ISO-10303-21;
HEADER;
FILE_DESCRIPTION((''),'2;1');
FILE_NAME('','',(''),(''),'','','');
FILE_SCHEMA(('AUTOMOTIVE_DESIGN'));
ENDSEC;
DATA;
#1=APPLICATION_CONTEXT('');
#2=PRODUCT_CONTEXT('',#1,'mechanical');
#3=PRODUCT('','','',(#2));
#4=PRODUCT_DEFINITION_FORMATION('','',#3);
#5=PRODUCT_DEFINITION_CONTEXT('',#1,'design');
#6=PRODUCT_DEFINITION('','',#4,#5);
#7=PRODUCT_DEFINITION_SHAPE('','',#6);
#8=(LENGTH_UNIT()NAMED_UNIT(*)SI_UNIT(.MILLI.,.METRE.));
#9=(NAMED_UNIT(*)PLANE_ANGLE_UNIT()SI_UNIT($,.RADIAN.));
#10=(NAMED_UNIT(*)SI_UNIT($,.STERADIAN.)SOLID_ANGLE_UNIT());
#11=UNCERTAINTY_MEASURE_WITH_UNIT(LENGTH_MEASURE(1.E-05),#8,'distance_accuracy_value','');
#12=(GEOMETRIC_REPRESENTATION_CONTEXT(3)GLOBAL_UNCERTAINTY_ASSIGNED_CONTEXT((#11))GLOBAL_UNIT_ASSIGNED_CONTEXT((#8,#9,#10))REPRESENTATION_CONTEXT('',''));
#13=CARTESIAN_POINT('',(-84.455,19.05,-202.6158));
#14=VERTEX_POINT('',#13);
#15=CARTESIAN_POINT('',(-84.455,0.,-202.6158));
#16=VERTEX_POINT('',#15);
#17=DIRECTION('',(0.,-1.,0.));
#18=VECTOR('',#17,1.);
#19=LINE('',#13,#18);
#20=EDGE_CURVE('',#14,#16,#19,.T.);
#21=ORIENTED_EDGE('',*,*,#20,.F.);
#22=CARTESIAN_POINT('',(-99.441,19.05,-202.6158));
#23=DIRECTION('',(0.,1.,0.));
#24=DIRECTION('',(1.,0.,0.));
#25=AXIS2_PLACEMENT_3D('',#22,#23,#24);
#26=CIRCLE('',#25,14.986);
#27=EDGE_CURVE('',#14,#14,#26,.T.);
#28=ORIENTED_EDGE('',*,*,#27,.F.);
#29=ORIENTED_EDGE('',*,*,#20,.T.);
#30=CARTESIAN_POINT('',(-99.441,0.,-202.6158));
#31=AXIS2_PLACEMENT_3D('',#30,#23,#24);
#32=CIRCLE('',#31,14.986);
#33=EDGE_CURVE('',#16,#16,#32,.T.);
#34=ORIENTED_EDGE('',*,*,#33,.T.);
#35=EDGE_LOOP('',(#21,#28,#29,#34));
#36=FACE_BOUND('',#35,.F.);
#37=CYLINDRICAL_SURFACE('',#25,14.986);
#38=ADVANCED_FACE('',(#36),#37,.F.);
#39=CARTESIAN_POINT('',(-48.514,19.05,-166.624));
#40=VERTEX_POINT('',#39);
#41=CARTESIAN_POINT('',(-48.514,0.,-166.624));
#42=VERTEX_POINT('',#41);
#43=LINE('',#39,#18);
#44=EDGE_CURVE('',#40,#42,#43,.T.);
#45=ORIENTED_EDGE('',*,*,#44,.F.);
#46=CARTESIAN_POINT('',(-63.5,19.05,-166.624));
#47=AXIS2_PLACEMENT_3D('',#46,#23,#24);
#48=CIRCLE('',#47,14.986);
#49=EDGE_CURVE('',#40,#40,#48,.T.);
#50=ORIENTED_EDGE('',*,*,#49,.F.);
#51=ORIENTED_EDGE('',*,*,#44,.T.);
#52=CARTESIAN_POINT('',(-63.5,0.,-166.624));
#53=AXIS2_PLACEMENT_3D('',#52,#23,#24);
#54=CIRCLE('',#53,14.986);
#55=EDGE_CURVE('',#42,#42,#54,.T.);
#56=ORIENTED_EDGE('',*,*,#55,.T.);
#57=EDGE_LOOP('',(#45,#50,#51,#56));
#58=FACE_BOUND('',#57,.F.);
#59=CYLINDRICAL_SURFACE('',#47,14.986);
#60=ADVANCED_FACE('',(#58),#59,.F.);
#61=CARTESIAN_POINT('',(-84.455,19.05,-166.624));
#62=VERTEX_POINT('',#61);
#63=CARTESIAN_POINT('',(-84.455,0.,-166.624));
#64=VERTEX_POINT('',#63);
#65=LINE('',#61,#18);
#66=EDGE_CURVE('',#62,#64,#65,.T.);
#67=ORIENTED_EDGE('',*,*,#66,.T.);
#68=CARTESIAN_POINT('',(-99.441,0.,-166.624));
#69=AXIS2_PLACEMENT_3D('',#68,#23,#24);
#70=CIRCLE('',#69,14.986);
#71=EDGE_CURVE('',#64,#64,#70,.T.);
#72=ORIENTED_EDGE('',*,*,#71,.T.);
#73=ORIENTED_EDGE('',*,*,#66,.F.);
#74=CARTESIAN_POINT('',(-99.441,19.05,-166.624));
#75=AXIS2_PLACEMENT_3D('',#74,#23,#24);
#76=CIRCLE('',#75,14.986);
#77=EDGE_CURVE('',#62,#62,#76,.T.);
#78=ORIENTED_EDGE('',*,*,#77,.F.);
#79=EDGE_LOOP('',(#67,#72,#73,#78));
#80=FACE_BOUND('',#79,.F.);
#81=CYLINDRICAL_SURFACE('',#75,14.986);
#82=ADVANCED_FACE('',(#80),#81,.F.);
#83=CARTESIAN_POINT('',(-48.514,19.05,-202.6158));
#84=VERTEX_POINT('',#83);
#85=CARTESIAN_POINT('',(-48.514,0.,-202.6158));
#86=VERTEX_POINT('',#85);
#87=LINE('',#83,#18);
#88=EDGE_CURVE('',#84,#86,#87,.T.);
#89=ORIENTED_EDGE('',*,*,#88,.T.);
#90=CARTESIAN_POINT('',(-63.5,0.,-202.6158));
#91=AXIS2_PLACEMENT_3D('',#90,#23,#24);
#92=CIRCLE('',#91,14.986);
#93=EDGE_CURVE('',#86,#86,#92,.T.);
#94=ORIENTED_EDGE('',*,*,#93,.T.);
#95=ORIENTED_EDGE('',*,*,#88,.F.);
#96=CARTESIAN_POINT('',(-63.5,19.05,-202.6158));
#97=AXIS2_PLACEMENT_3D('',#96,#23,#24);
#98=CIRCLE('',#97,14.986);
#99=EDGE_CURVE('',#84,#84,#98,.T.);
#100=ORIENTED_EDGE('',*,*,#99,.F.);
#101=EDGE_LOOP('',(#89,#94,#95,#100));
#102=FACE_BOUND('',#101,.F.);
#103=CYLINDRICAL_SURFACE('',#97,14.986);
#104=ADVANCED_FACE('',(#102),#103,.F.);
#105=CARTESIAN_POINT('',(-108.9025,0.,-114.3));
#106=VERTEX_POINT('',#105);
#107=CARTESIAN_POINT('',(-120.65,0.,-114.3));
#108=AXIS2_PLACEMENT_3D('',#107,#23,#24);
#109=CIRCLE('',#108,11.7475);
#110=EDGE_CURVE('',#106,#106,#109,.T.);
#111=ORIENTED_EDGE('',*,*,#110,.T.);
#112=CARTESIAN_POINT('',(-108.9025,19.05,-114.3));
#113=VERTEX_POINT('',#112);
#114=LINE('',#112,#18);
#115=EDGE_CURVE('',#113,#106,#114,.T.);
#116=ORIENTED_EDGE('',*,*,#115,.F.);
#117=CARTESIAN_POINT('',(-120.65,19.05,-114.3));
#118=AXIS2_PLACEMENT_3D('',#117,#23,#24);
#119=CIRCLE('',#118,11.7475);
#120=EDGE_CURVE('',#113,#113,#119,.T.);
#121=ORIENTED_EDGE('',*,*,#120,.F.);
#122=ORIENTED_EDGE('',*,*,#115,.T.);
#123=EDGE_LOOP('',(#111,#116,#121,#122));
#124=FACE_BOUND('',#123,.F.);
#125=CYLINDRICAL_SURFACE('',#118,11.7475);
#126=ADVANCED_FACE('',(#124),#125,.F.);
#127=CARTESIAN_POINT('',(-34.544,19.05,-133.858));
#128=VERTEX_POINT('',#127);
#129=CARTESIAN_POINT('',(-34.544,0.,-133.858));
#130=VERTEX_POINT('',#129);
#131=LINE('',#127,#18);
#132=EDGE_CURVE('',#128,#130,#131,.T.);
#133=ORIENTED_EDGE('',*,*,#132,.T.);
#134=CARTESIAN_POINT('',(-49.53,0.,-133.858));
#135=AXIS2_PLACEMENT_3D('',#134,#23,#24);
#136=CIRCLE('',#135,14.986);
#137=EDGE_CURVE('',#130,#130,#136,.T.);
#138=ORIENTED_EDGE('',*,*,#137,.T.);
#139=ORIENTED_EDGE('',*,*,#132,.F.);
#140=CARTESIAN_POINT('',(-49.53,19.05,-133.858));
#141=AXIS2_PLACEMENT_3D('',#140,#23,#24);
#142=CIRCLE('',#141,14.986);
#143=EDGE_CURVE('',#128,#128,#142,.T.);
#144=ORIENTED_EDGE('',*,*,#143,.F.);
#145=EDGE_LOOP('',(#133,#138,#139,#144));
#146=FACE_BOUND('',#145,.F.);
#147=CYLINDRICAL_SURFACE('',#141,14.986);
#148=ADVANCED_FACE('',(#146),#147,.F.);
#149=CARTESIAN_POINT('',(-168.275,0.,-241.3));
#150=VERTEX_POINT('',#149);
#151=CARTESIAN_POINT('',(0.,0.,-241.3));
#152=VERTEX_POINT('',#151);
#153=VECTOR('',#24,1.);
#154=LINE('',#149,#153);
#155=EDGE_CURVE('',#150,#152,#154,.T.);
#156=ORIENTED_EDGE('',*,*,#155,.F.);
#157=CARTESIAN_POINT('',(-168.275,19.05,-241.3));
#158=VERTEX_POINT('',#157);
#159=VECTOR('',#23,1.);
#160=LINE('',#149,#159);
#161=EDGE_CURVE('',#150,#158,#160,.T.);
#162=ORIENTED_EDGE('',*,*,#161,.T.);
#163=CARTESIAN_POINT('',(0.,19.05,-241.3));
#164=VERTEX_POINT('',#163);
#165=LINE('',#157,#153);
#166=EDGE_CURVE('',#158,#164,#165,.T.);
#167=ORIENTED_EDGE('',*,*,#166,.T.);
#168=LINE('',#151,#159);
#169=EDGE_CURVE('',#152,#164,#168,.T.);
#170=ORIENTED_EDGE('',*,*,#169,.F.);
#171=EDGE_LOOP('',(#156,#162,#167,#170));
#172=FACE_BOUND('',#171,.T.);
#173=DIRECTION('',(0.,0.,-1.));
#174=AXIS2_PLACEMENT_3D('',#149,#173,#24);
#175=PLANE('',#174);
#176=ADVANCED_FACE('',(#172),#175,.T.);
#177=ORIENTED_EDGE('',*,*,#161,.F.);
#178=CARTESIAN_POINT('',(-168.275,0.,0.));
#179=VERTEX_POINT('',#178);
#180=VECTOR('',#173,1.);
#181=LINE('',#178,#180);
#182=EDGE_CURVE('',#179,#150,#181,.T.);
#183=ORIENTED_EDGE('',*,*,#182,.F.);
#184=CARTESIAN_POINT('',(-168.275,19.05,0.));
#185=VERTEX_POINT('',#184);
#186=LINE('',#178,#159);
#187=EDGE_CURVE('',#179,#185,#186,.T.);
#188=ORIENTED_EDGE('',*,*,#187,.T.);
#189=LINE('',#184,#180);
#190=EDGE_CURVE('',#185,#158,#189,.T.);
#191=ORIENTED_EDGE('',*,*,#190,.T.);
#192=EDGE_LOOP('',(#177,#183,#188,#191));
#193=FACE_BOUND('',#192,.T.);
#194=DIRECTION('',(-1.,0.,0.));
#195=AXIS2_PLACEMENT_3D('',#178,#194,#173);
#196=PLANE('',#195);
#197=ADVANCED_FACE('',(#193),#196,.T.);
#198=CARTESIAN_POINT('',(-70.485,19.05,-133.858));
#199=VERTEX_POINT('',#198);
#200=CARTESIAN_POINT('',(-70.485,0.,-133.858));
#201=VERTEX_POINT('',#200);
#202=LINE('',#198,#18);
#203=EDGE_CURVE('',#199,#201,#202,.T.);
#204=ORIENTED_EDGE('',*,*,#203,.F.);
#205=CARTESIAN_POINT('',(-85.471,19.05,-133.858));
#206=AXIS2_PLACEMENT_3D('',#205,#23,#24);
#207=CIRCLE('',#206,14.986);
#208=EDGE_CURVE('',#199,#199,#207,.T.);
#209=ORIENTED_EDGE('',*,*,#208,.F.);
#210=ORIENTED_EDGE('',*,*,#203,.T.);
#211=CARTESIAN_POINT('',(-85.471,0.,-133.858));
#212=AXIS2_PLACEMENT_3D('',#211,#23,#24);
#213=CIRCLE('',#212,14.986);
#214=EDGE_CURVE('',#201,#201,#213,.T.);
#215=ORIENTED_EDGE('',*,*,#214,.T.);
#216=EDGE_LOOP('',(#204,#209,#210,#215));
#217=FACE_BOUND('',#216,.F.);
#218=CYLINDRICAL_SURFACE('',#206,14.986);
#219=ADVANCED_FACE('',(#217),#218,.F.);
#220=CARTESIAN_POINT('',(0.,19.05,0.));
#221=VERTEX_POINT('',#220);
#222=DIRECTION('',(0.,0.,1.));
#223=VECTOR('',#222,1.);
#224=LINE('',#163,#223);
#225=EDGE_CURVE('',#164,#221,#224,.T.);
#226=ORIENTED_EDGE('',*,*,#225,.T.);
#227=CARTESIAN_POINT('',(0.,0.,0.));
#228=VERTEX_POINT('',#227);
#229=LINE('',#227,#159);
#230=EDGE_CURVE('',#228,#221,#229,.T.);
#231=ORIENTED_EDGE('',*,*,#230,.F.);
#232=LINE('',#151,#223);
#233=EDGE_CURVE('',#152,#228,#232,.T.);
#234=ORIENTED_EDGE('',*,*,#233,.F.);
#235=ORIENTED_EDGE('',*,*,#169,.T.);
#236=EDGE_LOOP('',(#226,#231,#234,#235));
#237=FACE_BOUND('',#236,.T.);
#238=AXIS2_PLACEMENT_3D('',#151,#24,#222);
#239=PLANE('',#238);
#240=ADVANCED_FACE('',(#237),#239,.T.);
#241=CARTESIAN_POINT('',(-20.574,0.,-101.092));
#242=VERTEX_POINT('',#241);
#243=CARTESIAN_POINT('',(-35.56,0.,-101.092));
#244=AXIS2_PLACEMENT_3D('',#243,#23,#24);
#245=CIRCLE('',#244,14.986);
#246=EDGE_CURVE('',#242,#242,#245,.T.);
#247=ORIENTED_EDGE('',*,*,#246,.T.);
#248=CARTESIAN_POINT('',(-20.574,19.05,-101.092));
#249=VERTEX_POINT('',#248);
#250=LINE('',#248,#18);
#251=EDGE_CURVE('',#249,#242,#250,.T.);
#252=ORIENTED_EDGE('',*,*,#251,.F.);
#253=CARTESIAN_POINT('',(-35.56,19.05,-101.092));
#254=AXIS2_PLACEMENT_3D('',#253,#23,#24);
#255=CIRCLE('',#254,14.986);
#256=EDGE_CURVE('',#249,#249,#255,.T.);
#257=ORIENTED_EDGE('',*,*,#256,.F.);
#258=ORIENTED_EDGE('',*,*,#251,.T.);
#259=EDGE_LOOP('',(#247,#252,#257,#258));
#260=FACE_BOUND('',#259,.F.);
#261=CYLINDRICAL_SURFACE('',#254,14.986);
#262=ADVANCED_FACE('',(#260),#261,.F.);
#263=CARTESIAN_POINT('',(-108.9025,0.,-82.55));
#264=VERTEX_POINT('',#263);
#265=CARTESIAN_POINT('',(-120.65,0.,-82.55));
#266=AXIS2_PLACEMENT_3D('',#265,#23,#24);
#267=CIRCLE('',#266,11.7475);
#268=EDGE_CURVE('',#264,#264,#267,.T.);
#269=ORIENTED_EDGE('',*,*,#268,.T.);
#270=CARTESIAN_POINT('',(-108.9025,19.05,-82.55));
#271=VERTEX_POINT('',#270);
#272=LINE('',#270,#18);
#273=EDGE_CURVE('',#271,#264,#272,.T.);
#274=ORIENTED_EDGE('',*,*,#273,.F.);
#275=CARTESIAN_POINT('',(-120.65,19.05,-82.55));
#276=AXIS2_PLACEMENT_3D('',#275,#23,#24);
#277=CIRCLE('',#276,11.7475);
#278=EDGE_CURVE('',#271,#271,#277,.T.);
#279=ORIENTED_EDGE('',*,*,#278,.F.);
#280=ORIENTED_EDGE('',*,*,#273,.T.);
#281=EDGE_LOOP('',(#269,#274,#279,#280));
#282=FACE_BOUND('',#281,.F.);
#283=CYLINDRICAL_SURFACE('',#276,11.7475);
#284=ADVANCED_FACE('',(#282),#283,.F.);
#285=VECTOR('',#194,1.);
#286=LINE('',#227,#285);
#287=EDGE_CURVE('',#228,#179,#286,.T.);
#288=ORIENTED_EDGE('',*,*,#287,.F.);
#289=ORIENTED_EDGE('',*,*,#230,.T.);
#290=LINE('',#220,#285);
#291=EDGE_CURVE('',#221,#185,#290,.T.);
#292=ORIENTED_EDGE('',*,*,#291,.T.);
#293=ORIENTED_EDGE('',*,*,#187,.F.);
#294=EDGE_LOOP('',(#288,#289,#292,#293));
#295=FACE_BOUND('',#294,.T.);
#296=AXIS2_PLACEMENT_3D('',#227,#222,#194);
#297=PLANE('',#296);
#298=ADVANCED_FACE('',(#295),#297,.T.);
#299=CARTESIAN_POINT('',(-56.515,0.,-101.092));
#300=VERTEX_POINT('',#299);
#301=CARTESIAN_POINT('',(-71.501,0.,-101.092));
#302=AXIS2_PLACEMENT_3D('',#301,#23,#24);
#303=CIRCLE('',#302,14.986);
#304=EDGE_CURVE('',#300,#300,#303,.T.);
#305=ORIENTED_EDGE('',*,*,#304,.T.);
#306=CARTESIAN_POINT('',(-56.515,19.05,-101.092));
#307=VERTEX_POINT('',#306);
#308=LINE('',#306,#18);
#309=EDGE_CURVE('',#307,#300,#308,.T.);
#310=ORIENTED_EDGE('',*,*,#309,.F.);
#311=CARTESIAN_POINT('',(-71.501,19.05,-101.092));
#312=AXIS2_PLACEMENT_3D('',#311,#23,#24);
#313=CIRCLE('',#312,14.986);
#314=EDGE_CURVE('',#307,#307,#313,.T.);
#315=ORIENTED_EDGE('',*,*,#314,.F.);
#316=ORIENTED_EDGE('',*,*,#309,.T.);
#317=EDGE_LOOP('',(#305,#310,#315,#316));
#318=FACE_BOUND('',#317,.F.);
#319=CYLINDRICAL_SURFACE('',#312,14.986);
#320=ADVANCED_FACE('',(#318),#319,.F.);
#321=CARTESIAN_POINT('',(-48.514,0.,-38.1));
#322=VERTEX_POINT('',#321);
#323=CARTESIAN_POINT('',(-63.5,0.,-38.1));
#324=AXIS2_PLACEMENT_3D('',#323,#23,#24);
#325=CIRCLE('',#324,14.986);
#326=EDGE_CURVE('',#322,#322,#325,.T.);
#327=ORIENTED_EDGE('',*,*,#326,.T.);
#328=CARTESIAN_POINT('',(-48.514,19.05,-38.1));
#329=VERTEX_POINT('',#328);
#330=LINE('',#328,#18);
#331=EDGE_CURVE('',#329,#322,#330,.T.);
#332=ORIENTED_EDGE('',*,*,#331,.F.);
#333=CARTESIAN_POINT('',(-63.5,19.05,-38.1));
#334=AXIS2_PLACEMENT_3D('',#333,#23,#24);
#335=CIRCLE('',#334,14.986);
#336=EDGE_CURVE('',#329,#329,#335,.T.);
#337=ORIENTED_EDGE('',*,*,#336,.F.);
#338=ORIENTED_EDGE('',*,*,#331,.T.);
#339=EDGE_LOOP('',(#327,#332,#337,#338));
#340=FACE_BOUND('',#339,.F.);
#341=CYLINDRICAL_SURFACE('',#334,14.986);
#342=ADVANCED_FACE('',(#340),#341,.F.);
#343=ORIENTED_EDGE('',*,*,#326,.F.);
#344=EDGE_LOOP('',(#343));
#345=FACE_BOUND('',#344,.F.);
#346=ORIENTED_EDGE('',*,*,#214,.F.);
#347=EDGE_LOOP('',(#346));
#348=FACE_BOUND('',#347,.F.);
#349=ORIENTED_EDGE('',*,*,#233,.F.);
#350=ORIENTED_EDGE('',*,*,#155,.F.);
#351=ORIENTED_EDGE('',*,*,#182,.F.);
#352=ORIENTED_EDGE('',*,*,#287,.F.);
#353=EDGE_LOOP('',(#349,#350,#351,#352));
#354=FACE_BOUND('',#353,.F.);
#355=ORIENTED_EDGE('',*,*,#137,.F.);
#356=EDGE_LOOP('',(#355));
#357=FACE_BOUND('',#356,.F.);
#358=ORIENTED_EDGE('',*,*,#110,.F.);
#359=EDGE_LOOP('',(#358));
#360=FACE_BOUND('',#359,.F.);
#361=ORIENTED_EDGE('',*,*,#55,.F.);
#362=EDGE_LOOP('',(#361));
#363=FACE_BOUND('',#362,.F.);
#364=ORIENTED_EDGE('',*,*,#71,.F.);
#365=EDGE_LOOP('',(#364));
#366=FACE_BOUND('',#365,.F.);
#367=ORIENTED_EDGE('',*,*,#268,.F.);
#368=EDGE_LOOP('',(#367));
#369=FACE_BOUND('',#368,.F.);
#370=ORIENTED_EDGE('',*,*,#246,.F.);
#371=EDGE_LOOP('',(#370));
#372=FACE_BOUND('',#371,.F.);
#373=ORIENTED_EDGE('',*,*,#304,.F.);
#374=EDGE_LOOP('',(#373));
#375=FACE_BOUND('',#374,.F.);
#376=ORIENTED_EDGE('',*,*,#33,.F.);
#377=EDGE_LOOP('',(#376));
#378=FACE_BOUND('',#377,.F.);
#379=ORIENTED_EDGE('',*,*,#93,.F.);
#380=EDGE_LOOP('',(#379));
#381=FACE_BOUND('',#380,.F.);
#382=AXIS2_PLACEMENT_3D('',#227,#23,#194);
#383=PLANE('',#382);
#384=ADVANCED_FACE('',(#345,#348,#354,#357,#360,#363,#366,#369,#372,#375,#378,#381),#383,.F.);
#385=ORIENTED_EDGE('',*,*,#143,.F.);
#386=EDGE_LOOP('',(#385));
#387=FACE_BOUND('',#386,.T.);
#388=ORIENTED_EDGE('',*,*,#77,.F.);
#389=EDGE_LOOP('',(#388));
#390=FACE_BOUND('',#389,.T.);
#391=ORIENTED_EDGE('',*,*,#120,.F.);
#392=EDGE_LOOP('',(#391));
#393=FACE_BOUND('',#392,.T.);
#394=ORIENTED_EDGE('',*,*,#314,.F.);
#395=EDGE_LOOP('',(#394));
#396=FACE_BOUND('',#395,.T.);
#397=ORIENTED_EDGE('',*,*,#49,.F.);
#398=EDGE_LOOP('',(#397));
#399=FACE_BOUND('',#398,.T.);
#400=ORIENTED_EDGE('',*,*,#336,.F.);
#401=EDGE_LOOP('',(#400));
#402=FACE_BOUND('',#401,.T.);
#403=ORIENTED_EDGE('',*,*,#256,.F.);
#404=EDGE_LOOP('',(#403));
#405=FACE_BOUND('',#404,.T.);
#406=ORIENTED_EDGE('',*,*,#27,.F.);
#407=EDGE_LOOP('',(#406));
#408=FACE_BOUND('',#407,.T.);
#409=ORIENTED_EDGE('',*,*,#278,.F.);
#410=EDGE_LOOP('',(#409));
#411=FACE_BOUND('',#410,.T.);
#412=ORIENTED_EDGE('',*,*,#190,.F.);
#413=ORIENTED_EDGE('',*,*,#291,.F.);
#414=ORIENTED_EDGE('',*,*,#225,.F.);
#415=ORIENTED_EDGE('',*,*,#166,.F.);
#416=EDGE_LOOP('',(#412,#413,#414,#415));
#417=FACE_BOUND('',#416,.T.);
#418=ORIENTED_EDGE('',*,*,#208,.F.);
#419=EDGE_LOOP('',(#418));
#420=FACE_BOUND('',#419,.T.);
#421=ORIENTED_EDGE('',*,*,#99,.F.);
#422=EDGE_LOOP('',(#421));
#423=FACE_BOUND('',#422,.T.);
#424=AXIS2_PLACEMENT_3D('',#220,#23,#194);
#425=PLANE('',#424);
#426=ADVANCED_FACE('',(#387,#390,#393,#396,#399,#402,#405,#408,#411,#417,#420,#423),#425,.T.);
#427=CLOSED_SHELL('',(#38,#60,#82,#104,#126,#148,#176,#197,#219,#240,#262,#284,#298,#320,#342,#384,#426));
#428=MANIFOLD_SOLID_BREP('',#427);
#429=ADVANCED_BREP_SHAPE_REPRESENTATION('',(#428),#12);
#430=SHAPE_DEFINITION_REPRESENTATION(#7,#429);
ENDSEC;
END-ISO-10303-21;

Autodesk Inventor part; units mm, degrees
ref_plane "YZ Plane" through (0, 0, 0) normal (1, 0, 0) x (0, 1, 0)
ref_plane "XZ Plane" through (0, 0, 0) normal (0, 1, 0) x (-1, 0, 0)
ref_plane "XY Plane" through (0, 0, 0) normal (0, 0, 1) x (1, 0, 0)
sketch "Sketch1" plane through (0, 0, 0) normal (0, 1, 0) x (-1, 0, 0)
  line L0 (0, 0) -> (168.275, 0)
  line L1 (168.275, 0) -> (168.275, -241.3)
  line L2 (168.275, -241.3) -> (0, -241.3)
  line L3 (0, -241.3) -> (0, 0)
  dimension "d0" = 168.275
  dimension "d1" = 241.3
extrude "Extrusion1" add sketch "Sketch1" along normal blind 19.05
sketch "Sketch2" plane through (0, 19.05, 0) normal (0, 1, 0) x (1, 0, 0)
  circle A0 centre (-63.5, 38.1) radius 14.986
  circle A1 centre (-71.501, 101.092) radius 14.986
  circle A2 centre (-85.471, 133.858) radius 14.986
  circle A3 centre (-99.441, 166.624) radius 14.986
  circle A4 centre (-99.441, 202.6158) radius 14.986
  circle A5 centre (-35.56, 101.092) radius 14.986
  circle A6 centre (-49.53, 133.858) radius 14.986
  circle A7 centre (-63.5, 166.624) radius 14.986
  circle A8 centre (-63.5, 202.6158) radius 14.986
  line L0 (0, 0) -> (-168.275, 0) projected
  circle A9 centre (-120.65, 82.55) radius 11.7475
  circle A10 centre (-120.65, 114.3) radius 11.7475
  line L1 (0, 0) -> (0, 241.3) projected
  dimension "d4" = 29.972
  dimension "d5" = 29.972
  dimension "d6" = 29.972
  dimension "d7" = 29.972
  dimension "d8" = 29.972
  dimension "d9" = 29.972
  dimension "d10" = 29.972
  dimension "d11" = 29.972
  dimension "d12" = 29.972
  dimension "d13" = 62.992
  dimension "d14" = 62.992
  dimension "d15" = 32.766
  dimension "d16" = 32.766
  dimension "d17" = 32.766
  dimension "d18" = 32.766
  dimension "d19" = 35.9918
  dimension "d20" = 35.9918
  dimension "d22" = 13.97
  dimension "d23" = 13.97
  dimension "d24" = 8.001
  dimension "d25" = 8.001
  dimension "d26" = 13.97
  dimension "d27" = 13.97
  dimension "d28" = 13.97
  dimension "d29" = 38.1
  dimension "d30" = 23.495
  dimension "d31" = 82.55
  dimension "d33" = 23.495
  dimension "d35" = 31.75
  dimension "d38" = 63.5
  dimension "d39" = 8.001
  dimension "d40" = 120.65
  dimension "d41" = 120.65
extrude "Extrusion2" cut sketch "Sketch2" against normal blind 25.4
properties part number "controlBoard"
